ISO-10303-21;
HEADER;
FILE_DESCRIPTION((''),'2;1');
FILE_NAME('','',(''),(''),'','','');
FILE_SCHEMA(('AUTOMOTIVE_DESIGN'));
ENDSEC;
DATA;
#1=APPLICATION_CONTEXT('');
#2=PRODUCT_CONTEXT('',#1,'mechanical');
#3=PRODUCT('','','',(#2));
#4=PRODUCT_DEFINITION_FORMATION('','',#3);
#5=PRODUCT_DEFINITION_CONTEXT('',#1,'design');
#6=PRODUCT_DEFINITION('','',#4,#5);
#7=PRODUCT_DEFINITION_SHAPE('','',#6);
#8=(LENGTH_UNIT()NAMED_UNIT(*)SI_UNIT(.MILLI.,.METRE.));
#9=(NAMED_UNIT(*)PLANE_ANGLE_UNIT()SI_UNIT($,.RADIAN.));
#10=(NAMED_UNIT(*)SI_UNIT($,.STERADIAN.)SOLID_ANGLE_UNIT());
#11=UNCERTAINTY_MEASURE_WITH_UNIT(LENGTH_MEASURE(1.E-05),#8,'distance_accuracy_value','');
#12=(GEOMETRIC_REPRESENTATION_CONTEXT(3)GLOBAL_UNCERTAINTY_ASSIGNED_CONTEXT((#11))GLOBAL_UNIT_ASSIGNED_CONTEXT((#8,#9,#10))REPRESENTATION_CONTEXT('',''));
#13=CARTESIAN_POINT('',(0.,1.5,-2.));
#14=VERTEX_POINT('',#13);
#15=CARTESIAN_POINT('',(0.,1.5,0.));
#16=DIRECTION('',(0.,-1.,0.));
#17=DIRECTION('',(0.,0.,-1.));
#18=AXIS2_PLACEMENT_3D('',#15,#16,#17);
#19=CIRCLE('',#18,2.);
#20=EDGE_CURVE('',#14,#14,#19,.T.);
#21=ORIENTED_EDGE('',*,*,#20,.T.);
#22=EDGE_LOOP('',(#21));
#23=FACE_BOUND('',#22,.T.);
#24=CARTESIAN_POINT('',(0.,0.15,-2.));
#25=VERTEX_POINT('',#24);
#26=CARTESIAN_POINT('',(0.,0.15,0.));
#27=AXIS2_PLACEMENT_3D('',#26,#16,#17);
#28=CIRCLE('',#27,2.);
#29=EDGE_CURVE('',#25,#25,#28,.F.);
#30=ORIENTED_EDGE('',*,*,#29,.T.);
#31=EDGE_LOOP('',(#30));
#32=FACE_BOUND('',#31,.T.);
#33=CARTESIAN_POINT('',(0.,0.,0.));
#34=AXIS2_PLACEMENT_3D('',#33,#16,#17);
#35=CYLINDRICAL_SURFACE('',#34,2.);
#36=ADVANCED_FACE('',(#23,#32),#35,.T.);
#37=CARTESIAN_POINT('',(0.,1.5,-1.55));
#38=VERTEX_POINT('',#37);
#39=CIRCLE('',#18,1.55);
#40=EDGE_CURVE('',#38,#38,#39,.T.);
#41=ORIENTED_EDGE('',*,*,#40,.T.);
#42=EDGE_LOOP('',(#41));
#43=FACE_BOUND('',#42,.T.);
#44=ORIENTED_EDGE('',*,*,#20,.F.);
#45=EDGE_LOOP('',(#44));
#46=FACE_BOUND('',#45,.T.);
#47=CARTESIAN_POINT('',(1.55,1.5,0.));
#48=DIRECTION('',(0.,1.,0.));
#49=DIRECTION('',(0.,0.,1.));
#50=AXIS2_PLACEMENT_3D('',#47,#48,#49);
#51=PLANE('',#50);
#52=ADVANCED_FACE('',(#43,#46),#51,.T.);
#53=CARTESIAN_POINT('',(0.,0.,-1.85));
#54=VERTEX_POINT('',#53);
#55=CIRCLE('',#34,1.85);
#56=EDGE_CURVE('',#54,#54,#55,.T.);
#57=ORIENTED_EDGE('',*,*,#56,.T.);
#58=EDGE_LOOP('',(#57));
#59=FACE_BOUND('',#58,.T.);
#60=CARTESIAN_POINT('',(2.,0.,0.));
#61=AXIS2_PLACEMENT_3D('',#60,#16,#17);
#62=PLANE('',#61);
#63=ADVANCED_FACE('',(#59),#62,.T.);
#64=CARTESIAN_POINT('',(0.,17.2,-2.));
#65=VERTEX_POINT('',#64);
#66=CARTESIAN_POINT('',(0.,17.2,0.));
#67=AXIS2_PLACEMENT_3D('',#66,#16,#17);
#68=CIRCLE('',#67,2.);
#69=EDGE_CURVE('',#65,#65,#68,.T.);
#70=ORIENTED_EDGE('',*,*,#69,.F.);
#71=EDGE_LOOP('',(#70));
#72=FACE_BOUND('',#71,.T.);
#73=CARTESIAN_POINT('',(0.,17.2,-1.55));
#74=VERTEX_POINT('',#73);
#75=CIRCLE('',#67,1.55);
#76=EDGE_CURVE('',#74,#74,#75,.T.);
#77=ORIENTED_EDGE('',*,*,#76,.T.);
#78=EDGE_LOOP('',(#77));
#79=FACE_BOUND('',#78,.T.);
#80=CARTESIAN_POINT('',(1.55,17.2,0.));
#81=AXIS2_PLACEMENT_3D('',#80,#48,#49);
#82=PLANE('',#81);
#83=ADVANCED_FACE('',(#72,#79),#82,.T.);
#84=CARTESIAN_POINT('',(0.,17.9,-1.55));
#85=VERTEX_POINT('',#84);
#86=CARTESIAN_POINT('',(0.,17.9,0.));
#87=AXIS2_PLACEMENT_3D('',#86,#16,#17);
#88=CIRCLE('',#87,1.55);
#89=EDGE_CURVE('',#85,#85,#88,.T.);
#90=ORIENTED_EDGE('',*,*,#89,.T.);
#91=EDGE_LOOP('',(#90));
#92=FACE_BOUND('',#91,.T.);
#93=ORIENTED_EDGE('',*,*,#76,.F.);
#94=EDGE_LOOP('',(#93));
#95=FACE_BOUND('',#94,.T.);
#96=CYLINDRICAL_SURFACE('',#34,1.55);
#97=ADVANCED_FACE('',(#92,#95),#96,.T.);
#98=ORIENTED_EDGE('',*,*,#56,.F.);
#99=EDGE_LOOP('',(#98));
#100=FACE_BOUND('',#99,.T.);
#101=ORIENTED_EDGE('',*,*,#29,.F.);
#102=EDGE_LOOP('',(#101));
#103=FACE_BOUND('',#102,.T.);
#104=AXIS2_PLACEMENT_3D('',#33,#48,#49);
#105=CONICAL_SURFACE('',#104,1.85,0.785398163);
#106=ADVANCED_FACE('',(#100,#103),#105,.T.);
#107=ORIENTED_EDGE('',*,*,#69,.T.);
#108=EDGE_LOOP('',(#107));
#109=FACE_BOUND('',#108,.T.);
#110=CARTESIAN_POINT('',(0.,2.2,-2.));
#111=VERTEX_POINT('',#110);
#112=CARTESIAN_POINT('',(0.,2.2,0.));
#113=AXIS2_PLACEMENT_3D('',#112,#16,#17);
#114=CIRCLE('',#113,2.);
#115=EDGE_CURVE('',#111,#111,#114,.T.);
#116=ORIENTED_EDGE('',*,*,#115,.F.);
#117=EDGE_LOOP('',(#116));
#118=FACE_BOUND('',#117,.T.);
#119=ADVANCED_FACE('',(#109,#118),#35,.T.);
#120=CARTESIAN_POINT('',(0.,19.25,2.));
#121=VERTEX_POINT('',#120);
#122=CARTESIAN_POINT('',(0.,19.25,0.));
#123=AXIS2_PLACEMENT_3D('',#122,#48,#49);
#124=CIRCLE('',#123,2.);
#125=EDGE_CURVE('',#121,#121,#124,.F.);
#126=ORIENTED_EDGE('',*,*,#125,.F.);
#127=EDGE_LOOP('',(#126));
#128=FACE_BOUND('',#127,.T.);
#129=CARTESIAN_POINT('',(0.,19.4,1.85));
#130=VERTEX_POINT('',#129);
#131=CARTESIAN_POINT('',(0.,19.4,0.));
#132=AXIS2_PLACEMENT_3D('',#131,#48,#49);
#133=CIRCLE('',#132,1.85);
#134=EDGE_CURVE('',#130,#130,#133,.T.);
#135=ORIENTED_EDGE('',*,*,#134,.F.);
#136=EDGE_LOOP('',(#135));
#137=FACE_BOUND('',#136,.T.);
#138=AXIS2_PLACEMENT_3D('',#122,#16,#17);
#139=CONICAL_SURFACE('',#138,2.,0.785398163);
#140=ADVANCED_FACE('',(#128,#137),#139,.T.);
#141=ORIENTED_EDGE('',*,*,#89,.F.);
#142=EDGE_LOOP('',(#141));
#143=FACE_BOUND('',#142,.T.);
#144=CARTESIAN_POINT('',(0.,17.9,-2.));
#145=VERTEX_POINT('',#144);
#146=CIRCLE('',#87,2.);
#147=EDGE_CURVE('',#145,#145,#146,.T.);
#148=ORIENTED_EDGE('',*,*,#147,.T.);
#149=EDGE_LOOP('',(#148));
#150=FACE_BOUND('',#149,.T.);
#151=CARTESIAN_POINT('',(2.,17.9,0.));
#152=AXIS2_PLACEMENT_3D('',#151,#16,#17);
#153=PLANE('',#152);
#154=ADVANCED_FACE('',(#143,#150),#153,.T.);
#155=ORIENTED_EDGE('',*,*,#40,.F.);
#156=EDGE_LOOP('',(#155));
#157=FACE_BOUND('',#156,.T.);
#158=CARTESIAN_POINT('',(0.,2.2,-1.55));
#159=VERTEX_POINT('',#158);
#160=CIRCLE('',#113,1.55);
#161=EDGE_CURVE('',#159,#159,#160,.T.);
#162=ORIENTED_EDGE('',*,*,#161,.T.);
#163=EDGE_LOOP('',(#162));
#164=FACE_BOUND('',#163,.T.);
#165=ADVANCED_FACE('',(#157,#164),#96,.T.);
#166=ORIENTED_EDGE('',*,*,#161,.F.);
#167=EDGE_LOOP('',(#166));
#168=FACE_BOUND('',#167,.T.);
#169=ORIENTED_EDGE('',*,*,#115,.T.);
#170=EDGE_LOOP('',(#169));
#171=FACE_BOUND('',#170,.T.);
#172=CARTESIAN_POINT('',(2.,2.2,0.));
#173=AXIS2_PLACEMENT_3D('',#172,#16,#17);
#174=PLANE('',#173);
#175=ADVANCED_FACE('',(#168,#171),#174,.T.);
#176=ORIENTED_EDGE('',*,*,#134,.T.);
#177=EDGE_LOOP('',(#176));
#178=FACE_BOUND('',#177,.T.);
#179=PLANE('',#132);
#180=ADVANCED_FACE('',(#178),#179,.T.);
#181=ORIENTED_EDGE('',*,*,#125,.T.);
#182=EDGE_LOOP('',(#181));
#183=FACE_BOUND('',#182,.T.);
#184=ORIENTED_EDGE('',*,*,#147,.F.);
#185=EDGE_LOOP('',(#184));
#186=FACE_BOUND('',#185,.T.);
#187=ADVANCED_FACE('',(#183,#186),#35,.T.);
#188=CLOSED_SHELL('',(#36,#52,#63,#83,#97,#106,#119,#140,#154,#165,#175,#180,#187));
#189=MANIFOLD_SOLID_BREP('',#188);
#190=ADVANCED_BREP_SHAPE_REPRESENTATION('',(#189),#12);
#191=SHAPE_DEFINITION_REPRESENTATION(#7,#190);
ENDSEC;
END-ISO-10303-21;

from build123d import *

# Parameters (mm, degrees)
CHAMFER1_SIZE = 0.15


with BuildPart() as part:
    # Sketch1 → Revolve1 (revolve)
    with BuildSketch(Plane.XY, mode=Mode.PRIVATE) as revolve1_sk:
        Polygon((0, 0), (0, 19.4), (2, 19.4), (2, 17.9), (1.55, 17.9), (1.55, 17.2), (2, 17.2), (2, 2.2), (1.55, 2.2), (1.55, 1.5), (2, 1.5), (2, 0), align=None)
    revolve(revolve1_sk.sketch.rotate(Axis((0, 0, 0), (0, 1, 0)), 90), axis=Axis((0, 0, 0), (0, 1, 0)))

    # Chamfer1
    chamfer1_edges = [part.edges().sort_by_distance(p)[0] for p in [
        (0, 19.4, 2),
        (0, 0, 2),
    ]]
    chamfer(chamfer1_edges, length=CHAMFER1_SIZE)


solid = part.part
